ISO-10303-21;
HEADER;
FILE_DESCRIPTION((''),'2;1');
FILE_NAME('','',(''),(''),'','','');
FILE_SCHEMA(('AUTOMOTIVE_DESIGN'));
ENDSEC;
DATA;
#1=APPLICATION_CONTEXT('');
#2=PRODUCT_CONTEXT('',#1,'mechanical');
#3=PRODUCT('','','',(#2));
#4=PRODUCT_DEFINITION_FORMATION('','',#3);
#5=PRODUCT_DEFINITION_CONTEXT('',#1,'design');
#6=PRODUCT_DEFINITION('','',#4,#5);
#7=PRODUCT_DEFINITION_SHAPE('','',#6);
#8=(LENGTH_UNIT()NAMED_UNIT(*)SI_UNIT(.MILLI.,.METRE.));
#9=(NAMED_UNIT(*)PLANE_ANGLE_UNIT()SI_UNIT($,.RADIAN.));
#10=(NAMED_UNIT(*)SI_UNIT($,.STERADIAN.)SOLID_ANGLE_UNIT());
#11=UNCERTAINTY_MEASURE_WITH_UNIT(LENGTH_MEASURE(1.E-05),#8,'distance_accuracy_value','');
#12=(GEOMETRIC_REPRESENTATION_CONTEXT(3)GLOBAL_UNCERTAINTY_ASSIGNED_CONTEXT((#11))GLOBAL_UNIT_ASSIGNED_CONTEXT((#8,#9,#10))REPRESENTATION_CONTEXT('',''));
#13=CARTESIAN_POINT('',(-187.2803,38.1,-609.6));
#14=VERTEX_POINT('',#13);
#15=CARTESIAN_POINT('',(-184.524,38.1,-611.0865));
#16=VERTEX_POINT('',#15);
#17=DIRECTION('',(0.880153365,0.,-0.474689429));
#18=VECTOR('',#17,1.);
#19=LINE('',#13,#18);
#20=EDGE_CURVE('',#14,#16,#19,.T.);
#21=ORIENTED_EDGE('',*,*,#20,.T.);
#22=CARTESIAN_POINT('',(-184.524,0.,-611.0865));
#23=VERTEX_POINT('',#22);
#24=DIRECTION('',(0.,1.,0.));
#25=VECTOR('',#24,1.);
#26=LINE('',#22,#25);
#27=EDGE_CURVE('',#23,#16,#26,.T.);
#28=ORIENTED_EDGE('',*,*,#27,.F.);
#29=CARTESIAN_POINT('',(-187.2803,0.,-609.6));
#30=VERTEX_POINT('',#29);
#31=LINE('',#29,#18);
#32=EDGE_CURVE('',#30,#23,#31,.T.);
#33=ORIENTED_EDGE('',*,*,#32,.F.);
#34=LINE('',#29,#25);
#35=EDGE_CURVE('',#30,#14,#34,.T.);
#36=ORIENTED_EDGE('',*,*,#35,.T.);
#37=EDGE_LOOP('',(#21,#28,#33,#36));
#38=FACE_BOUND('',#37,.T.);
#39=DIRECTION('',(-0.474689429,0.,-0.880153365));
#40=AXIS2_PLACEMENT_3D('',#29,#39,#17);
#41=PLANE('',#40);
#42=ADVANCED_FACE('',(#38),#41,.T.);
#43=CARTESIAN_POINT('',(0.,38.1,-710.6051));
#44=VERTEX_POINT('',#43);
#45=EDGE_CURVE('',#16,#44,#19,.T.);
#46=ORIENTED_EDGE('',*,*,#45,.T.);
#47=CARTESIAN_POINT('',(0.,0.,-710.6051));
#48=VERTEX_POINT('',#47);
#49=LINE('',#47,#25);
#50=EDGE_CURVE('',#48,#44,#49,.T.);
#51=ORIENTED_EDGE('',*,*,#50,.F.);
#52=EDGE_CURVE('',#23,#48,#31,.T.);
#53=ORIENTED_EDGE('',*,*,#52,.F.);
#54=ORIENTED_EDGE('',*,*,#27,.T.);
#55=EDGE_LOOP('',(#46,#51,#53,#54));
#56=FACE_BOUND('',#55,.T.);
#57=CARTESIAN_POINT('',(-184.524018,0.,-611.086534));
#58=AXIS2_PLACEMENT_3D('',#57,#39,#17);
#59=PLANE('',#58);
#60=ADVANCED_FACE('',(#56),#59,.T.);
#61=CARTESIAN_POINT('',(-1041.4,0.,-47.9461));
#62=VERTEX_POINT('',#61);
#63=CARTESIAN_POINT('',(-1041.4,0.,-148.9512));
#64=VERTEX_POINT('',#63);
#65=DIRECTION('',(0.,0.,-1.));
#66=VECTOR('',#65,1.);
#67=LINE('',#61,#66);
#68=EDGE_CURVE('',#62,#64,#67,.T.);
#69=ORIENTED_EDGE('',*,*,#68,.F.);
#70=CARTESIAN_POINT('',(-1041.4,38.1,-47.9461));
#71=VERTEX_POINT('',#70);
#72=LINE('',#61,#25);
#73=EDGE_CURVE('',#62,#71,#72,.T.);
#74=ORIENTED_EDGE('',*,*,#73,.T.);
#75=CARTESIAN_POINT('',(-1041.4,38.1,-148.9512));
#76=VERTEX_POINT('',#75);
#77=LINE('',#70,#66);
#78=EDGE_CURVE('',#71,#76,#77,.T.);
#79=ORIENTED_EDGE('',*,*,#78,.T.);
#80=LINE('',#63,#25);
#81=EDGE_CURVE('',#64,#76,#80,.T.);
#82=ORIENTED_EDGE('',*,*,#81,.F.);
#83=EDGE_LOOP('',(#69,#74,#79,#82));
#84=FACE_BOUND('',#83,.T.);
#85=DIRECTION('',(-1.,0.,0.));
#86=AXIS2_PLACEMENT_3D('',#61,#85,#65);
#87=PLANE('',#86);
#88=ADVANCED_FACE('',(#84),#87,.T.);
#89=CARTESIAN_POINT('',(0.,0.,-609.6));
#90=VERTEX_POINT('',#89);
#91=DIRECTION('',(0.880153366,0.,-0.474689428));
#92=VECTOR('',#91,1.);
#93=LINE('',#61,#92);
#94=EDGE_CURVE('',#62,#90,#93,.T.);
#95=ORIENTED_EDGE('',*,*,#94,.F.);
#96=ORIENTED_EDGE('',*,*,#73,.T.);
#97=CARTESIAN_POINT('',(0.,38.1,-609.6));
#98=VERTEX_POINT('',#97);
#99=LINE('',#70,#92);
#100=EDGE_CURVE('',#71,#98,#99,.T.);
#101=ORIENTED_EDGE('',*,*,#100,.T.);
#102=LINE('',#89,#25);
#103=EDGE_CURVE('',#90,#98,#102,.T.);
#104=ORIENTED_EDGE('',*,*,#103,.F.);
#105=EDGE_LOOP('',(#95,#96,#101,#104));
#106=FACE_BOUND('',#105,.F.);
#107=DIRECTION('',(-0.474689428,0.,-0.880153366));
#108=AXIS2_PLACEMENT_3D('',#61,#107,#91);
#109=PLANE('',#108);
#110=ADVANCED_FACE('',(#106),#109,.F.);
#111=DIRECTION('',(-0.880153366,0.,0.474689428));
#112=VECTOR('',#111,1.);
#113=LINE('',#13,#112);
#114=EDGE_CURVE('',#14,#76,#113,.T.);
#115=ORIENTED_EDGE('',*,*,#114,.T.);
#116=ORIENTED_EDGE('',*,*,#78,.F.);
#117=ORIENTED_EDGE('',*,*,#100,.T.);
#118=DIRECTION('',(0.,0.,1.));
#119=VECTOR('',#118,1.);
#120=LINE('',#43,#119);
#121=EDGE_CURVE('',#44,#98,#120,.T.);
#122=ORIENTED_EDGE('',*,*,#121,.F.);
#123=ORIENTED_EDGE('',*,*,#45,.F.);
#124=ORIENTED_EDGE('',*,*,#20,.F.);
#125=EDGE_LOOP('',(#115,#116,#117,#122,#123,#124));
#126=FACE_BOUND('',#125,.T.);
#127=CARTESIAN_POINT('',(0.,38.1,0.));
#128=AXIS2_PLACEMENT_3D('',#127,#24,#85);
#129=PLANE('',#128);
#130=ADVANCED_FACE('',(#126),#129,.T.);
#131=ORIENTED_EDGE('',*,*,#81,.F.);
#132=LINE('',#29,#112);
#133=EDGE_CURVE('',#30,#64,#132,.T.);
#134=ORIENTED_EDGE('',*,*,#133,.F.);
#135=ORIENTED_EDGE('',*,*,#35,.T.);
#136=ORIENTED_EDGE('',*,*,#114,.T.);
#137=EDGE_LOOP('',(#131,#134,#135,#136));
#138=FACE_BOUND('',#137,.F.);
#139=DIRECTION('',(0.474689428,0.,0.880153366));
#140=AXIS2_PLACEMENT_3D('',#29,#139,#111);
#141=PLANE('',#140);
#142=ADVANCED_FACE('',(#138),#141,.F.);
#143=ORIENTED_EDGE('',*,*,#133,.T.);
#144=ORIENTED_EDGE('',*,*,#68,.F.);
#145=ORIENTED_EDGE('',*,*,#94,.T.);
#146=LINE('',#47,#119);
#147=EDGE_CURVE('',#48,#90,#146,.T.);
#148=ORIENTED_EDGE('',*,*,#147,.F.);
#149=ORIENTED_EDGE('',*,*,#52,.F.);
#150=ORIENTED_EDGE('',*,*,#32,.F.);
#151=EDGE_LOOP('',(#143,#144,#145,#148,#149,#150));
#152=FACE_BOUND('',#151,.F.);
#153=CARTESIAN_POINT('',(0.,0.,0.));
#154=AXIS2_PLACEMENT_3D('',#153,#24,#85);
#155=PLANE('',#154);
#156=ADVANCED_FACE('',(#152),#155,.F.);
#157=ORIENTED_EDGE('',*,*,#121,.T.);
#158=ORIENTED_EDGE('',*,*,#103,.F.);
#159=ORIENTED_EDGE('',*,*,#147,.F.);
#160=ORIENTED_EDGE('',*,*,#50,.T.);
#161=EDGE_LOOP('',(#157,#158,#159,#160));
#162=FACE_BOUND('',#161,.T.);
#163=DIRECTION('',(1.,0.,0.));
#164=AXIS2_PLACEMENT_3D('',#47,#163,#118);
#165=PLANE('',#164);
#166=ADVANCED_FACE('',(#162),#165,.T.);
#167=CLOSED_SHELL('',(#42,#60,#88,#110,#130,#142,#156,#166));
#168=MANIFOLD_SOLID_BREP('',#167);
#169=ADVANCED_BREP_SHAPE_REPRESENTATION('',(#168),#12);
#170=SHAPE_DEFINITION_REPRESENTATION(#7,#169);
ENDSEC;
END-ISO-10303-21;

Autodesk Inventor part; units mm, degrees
ref_plane "YZ Plane" through (0, 0, 0) normal (1, 0, 0) x (0, 1, 0)
ref_plane "XZ Plane" through (0, 0, 0) normal (0, 1, 0) x (-1, 0, 0)
ref_plane "XY Plane" through (0, 0, 0) normal (0, 0, 1) x (1, 0, 0)
sketch "Sketch1" plane through (0, 0, 0) normal (0, 1, 0) x (-1, 0, 0)
  line L0 (187.2803, -609.6) -> (1041.4, -148.9512)
  line L1 (187.2803, -609.6) -> (0, -710.6051)
  line L2 (0, -710.6051) -> (0, -609.6)
  line L3 (1041.4, -47.9461) -> (0, -609.6)
  line L4 (1041.4, -47.9461) -> (1041.4, -148.9512)
  line L5 (1041.4, -148.9512) -> (184.524, -611.0865)
  point P0 (0, 0)
extrude "Extrusion1" add sketch "Sketch1" along normal blind 38.1
properties part number "S_2x4x50.56"
